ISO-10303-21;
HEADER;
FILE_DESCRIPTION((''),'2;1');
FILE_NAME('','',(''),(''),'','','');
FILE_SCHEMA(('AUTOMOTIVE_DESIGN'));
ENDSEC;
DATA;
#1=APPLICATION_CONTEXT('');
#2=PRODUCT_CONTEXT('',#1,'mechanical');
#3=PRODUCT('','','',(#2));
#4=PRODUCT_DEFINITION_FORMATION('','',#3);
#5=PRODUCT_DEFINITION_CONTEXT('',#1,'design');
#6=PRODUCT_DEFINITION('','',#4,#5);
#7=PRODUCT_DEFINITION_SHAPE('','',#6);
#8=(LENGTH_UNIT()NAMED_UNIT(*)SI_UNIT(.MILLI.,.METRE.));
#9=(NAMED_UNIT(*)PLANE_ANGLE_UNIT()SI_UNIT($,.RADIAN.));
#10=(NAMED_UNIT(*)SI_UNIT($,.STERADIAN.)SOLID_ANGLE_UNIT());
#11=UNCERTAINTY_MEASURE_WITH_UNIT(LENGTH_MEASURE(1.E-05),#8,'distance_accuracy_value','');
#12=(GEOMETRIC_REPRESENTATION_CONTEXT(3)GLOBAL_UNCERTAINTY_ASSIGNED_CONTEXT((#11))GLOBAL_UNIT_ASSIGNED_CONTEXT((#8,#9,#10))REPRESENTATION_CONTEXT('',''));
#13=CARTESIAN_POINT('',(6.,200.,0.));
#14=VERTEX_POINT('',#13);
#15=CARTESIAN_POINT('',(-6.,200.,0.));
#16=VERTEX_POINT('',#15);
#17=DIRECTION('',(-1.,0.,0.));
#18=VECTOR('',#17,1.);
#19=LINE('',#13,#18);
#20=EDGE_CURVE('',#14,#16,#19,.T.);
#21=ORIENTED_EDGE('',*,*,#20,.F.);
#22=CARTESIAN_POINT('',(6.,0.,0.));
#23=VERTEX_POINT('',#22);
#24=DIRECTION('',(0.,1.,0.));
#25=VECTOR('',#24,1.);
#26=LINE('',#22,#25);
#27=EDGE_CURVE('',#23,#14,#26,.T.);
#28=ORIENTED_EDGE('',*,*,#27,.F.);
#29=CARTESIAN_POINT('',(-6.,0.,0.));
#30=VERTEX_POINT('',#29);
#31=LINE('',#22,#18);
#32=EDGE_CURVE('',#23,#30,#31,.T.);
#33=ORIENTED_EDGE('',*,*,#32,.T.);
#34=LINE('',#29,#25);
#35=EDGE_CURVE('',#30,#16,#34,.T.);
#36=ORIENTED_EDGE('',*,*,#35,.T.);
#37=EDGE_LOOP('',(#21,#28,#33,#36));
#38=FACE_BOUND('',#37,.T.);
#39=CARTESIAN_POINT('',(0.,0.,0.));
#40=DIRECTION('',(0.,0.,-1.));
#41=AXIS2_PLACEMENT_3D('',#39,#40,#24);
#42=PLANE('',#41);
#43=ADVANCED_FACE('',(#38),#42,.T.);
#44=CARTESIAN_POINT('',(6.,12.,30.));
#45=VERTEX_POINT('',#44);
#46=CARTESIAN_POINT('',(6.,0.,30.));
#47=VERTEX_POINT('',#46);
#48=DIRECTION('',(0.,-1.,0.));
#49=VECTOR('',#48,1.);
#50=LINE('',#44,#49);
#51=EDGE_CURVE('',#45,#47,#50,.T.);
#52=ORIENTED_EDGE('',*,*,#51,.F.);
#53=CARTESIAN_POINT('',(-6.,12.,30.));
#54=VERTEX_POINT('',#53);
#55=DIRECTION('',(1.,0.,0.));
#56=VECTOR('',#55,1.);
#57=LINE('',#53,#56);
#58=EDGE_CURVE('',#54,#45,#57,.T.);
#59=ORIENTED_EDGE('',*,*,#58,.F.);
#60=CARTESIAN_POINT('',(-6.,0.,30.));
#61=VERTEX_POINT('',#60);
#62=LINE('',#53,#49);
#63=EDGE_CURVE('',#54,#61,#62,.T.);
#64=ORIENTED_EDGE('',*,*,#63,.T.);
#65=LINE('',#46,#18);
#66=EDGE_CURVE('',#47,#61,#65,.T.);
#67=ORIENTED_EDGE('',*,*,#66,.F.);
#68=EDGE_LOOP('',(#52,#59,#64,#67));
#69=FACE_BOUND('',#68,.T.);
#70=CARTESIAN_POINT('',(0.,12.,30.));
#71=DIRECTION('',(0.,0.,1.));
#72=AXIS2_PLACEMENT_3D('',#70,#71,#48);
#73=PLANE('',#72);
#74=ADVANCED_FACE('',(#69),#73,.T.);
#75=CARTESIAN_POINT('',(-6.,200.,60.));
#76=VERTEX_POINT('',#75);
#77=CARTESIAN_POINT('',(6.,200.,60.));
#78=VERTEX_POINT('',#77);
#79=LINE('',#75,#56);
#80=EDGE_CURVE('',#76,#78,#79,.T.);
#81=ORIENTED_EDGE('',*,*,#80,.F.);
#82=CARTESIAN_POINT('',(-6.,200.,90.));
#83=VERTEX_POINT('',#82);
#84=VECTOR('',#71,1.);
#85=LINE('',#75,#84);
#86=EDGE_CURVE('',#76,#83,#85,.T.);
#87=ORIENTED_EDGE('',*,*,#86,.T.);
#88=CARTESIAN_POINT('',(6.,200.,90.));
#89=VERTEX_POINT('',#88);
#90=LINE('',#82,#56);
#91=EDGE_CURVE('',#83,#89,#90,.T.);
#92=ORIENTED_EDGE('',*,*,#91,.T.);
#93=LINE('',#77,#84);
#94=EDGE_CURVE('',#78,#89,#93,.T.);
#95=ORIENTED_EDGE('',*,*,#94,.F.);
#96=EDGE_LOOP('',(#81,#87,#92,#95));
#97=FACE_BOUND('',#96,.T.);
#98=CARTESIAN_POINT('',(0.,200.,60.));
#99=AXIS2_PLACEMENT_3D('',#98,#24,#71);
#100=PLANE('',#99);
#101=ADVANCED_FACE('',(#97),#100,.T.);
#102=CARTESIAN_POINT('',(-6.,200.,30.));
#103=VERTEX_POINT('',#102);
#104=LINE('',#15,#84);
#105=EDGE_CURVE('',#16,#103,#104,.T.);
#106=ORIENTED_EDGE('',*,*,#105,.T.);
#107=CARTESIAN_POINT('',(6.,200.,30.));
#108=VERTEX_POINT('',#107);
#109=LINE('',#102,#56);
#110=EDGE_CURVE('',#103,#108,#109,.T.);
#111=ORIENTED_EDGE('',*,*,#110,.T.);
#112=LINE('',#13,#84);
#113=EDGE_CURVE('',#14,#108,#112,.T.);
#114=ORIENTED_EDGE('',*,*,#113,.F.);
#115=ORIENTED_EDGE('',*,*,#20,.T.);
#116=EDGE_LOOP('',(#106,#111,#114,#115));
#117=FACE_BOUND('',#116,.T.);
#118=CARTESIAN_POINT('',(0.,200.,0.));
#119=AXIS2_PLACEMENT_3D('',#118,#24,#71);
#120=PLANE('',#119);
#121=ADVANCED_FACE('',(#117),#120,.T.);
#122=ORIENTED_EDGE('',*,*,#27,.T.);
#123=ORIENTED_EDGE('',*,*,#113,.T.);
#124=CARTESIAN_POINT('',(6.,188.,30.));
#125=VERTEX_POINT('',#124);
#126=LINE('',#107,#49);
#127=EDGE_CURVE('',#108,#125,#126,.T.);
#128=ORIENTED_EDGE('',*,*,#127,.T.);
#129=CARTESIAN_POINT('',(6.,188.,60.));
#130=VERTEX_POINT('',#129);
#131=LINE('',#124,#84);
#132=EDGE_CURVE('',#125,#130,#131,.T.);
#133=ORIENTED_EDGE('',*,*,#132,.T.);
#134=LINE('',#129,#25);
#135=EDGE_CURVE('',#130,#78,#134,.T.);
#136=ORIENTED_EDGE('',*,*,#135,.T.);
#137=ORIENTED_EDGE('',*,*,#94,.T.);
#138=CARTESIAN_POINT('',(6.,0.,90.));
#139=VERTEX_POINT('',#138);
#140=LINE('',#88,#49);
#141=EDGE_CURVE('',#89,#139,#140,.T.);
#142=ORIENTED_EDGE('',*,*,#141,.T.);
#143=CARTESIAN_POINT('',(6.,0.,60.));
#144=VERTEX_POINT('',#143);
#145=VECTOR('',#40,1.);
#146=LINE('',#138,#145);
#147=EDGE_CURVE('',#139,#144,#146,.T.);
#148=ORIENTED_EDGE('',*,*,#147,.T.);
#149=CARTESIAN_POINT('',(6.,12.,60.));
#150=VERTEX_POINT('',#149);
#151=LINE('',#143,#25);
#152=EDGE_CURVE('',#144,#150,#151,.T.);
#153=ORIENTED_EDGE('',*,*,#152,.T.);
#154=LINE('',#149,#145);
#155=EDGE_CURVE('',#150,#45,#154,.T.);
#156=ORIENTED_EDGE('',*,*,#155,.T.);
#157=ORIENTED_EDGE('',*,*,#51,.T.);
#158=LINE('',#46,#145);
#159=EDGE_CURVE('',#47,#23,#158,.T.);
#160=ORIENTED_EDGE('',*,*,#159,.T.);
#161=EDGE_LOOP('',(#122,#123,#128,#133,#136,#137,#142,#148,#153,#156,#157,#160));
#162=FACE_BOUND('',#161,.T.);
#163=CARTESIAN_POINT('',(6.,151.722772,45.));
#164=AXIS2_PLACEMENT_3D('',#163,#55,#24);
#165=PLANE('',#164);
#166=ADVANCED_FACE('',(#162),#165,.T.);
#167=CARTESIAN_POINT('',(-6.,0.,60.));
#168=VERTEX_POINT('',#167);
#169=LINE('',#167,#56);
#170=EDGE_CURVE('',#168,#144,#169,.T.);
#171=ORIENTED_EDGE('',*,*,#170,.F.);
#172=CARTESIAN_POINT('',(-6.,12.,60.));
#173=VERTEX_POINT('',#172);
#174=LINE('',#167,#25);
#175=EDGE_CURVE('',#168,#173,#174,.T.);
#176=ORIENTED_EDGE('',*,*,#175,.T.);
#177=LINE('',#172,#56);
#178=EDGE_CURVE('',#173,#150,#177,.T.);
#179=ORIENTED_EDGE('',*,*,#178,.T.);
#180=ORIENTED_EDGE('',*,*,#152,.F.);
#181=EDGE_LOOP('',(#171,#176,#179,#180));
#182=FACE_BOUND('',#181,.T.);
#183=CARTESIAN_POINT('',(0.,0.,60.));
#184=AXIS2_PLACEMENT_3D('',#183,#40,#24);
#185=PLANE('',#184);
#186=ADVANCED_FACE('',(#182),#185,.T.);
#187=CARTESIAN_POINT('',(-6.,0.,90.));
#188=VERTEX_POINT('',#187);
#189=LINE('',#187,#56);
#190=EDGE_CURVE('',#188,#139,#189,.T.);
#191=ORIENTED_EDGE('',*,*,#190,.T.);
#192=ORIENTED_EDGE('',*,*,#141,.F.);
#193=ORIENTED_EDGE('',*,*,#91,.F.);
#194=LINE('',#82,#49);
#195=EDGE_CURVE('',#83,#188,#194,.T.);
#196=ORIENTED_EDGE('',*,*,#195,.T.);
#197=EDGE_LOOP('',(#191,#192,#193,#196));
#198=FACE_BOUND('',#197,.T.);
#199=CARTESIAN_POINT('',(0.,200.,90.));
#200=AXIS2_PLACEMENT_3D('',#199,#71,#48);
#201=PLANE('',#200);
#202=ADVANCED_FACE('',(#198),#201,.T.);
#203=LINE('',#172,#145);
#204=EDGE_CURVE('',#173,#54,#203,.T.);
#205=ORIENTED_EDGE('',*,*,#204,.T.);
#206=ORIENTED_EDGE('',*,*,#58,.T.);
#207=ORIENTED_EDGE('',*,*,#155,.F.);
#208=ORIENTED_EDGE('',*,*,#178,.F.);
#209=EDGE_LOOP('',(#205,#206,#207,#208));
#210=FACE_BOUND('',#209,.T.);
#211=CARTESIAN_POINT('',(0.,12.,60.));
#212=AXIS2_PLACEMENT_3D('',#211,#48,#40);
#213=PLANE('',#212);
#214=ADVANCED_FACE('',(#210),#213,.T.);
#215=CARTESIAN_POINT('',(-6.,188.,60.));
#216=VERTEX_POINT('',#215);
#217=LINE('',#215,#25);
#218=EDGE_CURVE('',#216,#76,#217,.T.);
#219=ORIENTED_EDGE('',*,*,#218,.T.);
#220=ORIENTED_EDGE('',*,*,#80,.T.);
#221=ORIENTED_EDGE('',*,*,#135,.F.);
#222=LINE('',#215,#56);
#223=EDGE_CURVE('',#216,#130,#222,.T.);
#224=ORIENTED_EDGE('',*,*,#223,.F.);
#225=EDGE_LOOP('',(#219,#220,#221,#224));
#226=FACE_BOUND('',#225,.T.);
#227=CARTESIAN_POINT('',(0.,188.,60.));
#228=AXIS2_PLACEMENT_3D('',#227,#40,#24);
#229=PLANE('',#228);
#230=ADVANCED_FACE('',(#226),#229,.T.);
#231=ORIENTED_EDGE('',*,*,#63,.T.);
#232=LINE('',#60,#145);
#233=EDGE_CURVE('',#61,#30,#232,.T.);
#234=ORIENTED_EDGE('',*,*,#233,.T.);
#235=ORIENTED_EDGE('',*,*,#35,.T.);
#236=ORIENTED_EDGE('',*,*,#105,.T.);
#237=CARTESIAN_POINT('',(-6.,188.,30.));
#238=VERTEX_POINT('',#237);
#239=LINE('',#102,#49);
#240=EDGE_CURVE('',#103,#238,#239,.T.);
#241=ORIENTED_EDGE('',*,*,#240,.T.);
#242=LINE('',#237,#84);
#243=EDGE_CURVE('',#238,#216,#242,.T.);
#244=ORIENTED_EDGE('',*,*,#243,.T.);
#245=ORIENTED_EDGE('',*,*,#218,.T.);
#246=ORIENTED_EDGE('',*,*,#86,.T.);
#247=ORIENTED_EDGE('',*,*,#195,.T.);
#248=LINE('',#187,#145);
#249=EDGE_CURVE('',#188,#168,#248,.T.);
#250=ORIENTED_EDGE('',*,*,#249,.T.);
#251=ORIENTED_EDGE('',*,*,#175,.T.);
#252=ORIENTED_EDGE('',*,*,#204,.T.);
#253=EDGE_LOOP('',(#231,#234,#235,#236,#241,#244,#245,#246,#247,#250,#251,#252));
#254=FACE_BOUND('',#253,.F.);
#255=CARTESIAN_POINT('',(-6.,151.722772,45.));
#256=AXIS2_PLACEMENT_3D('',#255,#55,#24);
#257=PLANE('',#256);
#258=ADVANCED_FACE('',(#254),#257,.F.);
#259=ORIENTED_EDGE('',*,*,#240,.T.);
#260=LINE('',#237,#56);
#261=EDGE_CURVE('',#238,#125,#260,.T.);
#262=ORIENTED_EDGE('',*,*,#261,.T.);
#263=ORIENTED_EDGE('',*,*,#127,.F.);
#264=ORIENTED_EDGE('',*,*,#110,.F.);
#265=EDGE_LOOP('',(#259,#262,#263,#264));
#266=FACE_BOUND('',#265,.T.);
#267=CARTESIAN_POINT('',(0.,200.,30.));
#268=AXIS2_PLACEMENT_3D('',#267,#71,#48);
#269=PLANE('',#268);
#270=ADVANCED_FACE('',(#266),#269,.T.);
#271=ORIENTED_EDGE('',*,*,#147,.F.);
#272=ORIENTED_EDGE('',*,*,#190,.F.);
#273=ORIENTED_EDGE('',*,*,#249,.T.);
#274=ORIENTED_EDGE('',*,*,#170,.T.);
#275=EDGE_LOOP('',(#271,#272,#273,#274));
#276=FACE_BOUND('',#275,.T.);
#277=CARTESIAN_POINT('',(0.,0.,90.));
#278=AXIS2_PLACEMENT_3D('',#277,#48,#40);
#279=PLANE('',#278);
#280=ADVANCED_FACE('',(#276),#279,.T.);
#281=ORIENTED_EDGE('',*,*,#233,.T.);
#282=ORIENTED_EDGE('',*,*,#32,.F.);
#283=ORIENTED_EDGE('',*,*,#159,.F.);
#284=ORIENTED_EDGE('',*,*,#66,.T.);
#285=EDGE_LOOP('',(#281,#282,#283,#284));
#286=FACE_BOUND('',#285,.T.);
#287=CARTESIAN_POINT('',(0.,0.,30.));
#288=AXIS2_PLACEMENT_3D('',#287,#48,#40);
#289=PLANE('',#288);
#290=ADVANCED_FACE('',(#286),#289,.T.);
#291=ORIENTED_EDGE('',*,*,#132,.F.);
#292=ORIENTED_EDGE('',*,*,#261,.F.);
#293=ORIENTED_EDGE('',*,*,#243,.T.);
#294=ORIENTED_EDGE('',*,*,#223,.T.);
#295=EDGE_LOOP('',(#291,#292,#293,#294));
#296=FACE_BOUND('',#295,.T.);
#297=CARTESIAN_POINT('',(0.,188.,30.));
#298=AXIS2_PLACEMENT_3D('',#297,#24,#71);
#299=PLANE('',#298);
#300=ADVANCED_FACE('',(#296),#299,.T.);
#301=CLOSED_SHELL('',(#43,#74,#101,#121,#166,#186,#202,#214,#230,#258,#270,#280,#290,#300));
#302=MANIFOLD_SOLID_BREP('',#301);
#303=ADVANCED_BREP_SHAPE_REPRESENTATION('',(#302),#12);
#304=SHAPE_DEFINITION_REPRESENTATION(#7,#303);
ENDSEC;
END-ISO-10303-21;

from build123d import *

# Parameters (mm, degrees)
F1_DEPTH = 6


with BuildPart() as f1:
    # F0 (on Right) → F1 (new body, symmetric)
    with BuildSketch(Plane.YZ):
        Polygon((100, 90), (100, 0), (200, 0), (200, 30), (188, 30), (188, 60), (200, 60), (200, 90), align=None)
        Polygon((0, 30), (0, 0), (100, 0), (100, 90), (0, 90), (0, 60), (12, 60), (12, 30), align=None)
    extrude(amount=F1_DEPTH, both=True)


solid = f1.part
